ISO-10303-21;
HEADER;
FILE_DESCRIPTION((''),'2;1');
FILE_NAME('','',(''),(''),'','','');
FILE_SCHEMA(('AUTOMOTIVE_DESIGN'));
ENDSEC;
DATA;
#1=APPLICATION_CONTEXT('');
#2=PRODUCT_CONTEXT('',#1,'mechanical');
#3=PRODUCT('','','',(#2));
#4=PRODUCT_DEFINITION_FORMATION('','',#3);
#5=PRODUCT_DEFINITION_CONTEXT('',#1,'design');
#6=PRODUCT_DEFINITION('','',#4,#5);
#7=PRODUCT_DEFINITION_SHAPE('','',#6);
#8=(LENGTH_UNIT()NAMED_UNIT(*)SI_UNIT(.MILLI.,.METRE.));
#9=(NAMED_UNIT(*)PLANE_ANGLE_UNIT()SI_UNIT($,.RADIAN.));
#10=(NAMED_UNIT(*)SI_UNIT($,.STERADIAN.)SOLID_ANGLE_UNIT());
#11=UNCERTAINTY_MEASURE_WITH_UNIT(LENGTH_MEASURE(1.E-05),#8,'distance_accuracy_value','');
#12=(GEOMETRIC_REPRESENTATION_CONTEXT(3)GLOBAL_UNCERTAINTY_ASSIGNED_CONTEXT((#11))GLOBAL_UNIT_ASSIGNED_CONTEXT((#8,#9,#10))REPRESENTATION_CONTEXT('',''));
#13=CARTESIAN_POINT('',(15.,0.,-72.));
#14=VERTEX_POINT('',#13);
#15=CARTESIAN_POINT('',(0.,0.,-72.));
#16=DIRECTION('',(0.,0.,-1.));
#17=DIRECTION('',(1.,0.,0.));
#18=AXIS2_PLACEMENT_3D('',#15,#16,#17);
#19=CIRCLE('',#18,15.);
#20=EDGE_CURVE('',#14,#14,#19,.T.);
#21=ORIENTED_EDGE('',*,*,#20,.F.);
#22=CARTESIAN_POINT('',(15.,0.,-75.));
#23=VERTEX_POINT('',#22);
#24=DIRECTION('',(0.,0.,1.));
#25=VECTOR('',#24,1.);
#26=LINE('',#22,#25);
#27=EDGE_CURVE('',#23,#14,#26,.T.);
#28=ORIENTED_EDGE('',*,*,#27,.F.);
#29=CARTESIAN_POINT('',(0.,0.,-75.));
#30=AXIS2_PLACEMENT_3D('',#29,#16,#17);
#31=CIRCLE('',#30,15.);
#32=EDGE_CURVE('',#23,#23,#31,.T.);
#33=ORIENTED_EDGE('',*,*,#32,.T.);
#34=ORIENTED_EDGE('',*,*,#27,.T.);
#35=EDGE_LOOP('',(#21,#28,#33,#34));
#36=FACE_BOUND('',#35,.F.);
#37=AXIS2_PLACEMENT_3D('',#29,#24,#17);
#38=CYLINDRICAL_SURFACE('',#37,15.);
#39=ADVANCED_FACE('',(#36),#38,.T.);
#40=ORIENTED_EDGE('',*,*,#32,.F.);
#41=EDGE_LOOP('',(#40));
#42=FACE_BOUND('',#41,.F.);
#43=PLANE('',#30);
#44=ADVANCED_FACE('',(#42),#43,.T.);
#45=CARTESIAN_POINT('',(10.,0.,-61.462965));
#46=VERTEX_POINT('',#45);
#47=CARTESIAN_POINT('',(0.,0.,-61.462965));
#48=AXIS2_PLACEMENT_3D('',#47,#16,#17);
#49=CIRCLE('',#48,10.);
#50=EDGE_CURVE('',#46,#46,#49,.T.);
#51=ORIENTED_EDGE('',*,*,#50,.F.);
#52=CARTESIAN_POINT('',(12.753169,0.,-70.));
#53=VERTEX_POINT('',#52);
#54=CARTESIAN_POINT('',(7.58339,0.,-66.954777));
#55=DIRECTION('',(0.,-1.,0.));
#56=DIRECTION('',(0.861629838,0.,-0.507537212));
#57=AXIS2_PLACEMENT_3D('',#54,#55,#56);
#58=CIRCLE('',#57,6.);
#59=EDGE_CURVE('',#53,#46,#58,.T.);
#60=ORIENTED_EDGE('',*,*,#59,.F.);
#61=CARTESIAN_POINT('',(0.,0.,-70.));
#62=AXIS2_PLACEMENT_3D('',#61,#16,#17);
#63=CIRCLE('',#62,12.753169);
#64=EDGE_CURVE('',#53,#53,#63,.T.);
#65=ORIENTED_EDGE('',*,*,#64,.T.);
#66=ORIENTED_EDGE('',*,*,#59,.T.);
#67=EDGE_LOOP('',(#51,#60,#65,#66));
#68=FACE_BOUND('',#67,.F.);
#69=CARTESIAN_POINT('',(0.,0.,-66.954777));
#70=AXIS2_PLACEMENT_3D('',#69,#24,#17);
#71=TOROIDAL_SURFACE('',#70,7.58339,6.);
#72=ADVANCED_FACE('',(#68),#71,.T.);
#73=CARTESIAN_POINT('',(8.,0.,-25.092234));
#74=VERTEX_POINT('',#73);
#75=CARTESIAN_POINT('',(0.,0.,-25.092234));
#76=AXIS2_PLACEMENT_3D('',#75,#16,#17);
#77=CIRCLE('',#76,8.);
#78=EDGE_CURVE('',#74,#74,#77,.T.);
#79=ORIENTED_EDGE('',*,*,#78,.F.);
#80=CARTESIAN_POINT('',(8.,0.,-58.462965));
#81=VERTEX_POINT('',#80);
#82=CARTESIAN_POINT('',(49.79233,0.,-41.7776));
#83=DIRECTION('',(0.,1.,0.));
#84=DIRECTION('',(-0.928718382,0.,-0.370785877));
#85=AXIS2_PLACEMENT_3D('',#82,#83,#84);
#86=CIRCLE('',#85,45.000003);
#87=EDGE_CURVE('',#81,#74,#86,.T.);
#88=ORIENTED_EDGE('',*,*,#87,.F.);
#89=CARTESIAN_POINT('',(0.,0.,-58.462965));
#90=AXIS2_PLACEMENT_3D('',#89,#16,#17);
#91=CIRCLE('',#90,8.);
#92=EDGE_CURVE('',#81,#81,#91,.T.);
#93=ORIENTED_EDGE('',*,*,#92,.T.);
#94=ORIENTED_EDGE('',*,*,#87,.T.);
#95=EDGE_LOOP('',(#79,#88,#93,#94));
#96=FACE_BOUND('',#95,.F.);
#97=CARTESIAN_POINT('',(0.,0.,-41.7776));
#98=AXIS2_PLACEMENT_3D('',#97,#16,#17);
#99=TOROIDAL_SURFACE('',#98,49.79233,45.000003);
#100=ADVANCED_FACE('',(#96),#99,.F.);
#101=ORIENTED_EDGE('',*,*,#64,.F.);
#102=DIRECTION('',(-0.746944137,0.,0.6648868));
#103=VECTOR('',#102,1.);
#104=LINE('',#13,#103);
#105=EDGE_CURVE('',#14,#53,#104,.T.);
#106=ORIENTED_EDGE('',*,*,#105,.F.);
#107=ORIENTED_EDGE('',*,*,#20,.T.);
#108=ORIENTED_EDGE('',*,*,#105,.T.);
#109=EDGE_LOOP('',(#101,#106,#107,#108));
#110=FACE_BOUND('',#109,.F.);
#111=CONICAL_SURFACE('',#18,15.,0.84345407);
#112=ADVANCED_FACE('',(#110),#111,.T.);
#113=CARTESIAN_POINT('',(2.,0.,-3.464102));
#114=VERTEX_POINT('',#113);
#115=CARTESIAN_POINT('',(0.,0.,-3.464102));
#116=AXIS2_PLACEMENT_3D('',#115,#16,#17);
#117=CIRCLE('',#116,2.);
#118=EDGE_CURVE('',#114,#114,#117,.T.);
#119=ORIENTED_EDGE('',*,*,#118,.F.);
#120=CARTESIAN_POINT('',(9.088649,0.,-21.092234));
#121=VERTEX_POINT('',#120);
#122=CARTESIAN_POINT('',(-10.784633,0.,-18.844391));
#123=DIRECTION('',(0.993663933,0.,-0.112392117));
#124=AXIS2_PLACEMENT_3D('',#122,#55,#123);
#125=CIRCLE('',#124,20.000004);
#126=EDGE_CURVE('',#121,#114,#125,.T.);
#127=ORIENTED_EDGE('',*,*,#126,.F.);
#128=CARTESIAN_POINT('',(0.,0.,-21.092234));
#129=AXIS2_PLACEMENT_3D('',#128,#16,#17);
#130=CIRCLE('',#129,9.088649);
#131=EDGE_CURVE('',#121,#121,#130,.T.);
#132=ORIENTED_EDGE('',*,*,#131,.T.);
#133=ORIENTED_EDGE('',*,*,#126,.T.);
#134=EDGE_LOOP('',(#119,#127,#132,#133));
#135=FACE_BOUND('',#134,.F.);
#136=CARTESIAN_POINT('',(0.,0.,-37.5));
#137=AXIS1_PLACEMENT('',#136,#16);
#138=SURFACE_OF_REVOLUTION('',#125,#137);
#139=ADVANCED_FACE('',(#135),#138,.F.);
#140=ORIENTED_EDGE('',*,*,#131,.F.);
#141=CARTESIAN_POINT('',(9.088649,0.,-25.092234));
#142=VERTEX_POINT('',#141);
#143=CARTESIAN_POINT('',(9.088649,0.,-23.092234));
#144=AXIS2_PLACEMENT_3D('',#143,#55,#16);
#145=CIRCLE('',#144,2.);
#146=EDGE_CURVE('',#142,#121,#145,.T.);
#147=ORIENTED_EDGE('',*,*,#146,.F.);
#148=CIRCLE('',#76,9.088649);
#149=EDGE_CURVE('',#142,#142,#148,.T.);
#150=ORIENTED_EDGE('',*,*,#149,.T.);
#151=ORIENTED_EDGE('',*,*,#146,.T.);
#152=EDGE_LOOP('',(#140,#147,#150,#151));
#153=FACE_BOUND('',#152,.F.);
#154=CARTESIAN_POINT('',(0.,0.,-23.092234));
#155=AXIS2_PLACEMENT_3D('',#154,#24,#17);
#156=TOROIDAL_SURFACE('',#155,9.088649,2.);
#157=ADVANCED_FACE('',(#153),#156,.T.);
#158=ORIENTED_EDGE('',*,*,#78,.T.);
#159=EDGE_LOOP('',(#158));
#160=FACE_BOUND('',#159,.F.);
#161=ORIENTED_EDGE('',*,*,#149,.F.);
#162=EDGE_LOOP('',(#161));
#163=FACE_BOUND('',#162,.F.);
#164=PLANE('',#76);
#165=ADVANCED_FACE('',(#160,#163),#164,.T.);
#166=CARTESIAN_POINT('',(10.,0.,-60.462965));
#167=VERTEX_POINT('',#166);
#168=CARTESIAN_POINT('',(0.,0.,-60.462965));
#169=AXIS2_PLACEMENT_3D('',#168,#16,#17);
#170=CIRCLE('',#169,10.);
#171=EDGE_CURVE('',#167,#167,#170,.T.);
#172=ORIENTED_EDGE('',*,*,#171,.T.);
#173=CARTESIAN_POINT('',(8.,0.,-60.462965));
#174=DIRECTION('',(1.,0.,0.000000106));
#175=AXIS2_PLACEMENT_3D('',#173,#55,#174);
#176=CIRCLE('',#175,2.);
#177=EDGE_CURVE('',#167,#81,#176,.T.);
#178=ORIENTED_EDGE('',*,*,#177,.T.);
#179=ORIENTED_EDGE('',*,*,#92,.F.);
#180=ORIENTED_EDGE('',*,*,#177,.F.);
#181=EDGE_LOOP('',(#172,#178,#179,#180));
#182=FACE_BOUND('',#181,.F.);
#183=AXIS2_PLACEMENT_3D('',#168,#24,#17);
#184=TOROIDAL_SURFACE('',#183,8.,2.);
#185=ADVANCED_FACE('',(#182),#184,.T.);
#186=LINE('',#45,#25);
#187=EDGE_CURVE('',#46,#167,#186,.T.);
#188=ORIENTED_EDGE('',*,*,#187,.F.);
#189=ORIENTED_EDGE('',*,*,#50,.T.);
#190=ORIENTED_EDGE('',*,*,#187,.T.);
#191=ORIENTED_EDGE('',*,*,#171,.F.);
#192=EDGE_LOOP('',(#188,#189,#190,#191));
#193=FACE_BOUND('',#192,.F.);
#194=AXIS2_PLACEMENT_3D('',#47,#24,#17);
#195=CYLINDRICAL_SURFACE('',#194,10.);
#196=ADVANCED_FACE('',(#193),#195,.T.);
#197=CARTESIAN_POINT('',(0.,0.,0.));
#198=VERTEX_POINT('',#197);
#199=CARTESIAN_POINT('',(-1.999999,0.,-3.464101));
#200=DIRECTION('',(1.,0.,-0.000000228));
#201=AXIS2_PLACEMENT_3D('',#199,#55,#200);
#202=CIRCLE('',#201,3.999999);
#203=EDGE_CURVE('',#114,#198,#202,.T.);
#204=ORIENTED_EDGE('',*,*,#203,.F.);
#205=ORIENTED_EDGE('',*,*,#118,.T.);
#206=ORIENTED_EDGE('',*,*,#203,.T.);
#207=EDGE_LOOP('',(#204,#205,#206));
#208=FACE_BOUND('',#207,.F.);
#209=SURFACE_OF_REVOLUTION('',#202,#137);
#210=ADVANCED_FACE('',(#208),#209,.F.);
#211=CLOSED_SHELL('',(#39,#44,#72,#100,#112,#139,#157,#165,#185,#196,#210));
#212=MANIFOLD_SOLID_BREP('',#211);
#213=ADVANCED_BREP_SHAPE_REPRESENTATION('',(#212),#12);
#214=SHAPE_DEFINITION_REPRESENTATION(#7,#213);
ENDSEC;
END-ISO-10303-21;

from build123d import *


with BuildPart() as f1:
    # F0 (on Front) → F1 (revolve)
    with BuildSketch(Plane.XZ):
        with BuildLine():
            Line((8, -25.092234), (9.088649, -25.092234))
            ThreePointArc((9.088649, -25.092234), (11.088649, -23.092234), (9.088649, -21.092234))
            ThreePointArc((9.088649, -21.092234), (7.771299, -11.382654), (2, -3.464102))
            ThreePointArc((2, -3.464102), (1.464102, -1.464102), (0, 0))
            Line((0, 0), (0, -75))
            Line((0, -75), (15, -75))
            Line((15, -75), (15, -72))
            Line((15, -72), (12.753169, -70))
            ThreePointArc((12.753169, -70), (13.293781, -65.113192), (10, -61.462965))
            Line((10, -61.462965), (10, -60.462965))
            ThreePointArc((10, -60.462965), (9.414214, -59.048752), (8, -58.462965))
            ThreePointArc((8, -58.462965), (4.792327, -41.7776), (8, -25.092234))
        make_face()
    revolve(axis=Axis((0, 0, -37.5), (0, 0, -1)))


solid = f1.part
